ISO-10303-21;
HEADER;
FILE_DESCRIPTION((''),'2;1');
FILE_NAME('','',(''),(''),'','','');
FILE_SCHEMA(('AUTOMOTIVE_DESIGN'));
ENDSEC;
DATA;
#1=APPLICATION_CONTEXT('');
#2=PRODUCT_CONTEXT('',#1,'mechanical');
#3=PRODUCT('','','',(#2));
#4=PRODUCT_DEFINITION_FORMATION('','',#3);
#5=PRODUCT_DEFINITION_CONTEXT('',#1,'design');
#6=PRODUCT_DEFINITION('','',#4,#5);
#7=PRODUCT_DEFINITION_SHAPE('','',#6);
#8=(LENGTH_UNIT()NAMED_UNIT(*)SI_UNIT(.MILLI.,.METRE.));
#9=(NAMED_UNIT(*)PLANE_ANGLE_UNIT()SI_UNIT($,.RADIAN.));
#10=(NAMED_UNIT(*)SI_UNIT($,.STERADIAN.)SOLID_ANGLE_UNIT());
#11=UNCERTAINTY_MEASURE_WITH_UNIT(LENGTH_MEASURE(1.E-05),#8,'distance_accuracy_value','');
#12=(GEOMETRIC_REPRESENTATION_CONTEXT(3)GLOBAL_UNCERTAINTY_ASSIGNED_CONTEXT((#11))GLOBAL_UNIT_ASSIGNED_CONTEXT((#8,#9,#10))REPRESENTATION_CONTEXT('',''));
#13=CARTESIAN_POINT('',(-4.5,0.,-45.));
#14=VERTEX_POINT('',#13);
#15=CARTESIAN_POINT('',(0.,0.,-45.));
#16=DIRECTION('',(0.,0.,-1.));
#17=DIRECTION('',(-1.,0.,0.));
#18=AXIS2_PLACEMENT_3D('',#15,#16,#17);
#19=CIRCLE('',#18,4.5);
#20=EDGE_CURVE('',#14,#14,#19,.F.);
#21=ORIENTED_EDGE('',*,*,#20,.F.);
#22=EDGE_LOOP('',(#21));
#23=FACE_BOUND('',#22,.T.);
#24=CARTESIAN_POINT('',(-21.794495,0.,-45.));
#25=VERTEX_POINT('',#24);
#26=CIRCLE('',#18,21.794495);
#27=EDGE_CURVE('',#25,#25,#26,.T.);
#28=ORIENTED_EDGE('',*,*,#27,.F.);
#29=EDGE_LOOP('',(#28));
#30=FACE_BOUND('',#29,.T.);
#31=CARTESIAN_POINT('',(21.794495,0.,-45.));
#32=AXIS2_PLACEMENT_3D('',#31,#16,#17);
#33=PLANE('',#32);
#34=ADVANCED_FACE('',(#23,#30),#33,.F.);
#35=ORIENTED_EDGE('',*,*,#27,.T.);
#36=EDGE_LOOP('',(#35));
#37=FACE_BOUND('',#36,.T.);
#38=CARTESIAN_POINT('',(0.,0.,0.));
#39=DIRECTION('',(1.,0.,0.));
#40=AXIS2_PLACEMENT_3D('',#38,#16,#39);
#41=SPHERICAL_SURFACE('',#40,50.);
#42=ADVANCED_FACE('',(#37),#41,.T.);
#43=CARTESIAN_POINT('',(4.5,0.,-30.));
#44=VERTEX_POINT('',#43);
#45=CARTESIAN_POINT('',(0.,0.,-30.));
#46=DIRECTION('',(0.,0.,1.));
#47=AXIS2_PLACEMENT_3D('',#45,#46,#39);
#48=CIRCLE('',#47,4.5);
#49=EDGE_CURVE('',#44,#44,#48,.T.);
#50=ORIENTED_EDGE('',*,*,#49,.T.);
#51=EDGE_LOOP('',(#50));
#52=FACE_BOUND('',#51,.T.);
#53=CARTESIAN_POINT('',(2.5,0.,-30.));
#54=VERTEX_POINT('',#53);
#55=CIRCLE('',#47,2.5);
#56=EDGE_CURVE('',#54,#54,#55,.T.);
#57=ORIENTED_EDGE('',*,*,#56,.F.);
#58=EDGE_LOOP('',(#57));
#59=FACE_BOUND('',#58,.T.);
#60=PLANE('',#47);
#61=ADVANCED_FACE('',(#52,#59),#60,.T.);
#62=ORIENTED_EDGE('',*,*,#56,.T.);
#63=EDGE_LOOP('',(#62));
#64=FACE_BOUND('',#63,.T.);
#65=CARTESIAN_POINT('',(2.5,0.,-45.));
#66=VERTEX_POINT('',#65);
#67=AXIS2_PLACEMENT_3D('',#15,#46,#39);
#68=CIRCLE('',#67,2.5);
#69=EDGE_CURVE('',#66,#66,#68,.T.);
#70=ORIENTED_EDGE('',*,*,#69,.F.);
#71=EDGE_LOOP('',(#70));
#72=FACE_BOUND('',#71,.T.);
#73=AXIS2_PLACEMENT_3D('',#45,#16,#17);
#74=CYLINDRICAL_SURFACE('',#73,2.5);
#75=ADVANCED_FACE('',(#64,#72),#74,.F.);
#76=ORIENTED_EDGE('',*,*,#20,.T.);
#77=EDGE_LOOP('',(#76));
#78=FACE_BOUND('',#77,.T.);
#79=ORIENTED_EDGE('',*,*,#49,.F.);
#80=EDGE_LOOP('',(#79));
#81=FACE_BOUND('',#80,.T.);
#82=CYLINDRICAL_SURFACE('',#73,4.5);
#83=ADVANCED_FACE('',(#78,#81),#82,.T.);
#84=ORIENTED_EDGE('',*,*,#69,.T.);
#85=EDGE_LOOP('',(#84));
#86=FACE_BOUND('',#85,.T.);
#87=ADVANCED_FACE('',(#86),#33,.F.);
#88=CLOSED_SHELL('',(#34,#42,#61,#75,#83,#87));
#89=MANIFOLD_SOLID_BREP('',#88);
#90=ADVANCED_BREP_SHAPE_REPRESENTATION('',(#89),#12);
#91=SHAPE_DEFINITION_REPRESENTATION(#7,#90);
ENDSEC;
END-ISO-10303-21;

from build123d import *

# Parameters (mm, degrees)
SKETCH_2_R      = 4.5
SKETCH_2_R_2    = 2.5
EXTRUDE_1_DEPTH = 15


with BuildPart() as part:
    # 草圖1 → 旋轉1 (revolve)
    with BuildSketch(Plane(origin=(0, 0, 0), x_dir=(1, 0, 0), z_dir=(0, 1, 0))):
        with BuildLine():
            Line((21.794494718, 45), (0, 45))
            Line((0, 45), (0, 50))
            ThreePointArc((0, 50), (11.180339887, 48.733971724), (21.794494718, 45))
        make_face()
    revolve(axis=Axis((0, 0, -121.094346888), (0, 0, 1)))

    # 草圖2 → 填料-伸長1 (add)
    with BuildSketch(Plane.XY.offset(-45)):
        with Locations(Location((0, 0, 0), (0, 0, 180))):
            Circle(SKETCH_2_R)
        Circle(SKETCH_2_R_2, mode=Mode.SUBTRACT)
    extrude(amount=EXTRUDE_1_DEPTH)


solid = part.part
